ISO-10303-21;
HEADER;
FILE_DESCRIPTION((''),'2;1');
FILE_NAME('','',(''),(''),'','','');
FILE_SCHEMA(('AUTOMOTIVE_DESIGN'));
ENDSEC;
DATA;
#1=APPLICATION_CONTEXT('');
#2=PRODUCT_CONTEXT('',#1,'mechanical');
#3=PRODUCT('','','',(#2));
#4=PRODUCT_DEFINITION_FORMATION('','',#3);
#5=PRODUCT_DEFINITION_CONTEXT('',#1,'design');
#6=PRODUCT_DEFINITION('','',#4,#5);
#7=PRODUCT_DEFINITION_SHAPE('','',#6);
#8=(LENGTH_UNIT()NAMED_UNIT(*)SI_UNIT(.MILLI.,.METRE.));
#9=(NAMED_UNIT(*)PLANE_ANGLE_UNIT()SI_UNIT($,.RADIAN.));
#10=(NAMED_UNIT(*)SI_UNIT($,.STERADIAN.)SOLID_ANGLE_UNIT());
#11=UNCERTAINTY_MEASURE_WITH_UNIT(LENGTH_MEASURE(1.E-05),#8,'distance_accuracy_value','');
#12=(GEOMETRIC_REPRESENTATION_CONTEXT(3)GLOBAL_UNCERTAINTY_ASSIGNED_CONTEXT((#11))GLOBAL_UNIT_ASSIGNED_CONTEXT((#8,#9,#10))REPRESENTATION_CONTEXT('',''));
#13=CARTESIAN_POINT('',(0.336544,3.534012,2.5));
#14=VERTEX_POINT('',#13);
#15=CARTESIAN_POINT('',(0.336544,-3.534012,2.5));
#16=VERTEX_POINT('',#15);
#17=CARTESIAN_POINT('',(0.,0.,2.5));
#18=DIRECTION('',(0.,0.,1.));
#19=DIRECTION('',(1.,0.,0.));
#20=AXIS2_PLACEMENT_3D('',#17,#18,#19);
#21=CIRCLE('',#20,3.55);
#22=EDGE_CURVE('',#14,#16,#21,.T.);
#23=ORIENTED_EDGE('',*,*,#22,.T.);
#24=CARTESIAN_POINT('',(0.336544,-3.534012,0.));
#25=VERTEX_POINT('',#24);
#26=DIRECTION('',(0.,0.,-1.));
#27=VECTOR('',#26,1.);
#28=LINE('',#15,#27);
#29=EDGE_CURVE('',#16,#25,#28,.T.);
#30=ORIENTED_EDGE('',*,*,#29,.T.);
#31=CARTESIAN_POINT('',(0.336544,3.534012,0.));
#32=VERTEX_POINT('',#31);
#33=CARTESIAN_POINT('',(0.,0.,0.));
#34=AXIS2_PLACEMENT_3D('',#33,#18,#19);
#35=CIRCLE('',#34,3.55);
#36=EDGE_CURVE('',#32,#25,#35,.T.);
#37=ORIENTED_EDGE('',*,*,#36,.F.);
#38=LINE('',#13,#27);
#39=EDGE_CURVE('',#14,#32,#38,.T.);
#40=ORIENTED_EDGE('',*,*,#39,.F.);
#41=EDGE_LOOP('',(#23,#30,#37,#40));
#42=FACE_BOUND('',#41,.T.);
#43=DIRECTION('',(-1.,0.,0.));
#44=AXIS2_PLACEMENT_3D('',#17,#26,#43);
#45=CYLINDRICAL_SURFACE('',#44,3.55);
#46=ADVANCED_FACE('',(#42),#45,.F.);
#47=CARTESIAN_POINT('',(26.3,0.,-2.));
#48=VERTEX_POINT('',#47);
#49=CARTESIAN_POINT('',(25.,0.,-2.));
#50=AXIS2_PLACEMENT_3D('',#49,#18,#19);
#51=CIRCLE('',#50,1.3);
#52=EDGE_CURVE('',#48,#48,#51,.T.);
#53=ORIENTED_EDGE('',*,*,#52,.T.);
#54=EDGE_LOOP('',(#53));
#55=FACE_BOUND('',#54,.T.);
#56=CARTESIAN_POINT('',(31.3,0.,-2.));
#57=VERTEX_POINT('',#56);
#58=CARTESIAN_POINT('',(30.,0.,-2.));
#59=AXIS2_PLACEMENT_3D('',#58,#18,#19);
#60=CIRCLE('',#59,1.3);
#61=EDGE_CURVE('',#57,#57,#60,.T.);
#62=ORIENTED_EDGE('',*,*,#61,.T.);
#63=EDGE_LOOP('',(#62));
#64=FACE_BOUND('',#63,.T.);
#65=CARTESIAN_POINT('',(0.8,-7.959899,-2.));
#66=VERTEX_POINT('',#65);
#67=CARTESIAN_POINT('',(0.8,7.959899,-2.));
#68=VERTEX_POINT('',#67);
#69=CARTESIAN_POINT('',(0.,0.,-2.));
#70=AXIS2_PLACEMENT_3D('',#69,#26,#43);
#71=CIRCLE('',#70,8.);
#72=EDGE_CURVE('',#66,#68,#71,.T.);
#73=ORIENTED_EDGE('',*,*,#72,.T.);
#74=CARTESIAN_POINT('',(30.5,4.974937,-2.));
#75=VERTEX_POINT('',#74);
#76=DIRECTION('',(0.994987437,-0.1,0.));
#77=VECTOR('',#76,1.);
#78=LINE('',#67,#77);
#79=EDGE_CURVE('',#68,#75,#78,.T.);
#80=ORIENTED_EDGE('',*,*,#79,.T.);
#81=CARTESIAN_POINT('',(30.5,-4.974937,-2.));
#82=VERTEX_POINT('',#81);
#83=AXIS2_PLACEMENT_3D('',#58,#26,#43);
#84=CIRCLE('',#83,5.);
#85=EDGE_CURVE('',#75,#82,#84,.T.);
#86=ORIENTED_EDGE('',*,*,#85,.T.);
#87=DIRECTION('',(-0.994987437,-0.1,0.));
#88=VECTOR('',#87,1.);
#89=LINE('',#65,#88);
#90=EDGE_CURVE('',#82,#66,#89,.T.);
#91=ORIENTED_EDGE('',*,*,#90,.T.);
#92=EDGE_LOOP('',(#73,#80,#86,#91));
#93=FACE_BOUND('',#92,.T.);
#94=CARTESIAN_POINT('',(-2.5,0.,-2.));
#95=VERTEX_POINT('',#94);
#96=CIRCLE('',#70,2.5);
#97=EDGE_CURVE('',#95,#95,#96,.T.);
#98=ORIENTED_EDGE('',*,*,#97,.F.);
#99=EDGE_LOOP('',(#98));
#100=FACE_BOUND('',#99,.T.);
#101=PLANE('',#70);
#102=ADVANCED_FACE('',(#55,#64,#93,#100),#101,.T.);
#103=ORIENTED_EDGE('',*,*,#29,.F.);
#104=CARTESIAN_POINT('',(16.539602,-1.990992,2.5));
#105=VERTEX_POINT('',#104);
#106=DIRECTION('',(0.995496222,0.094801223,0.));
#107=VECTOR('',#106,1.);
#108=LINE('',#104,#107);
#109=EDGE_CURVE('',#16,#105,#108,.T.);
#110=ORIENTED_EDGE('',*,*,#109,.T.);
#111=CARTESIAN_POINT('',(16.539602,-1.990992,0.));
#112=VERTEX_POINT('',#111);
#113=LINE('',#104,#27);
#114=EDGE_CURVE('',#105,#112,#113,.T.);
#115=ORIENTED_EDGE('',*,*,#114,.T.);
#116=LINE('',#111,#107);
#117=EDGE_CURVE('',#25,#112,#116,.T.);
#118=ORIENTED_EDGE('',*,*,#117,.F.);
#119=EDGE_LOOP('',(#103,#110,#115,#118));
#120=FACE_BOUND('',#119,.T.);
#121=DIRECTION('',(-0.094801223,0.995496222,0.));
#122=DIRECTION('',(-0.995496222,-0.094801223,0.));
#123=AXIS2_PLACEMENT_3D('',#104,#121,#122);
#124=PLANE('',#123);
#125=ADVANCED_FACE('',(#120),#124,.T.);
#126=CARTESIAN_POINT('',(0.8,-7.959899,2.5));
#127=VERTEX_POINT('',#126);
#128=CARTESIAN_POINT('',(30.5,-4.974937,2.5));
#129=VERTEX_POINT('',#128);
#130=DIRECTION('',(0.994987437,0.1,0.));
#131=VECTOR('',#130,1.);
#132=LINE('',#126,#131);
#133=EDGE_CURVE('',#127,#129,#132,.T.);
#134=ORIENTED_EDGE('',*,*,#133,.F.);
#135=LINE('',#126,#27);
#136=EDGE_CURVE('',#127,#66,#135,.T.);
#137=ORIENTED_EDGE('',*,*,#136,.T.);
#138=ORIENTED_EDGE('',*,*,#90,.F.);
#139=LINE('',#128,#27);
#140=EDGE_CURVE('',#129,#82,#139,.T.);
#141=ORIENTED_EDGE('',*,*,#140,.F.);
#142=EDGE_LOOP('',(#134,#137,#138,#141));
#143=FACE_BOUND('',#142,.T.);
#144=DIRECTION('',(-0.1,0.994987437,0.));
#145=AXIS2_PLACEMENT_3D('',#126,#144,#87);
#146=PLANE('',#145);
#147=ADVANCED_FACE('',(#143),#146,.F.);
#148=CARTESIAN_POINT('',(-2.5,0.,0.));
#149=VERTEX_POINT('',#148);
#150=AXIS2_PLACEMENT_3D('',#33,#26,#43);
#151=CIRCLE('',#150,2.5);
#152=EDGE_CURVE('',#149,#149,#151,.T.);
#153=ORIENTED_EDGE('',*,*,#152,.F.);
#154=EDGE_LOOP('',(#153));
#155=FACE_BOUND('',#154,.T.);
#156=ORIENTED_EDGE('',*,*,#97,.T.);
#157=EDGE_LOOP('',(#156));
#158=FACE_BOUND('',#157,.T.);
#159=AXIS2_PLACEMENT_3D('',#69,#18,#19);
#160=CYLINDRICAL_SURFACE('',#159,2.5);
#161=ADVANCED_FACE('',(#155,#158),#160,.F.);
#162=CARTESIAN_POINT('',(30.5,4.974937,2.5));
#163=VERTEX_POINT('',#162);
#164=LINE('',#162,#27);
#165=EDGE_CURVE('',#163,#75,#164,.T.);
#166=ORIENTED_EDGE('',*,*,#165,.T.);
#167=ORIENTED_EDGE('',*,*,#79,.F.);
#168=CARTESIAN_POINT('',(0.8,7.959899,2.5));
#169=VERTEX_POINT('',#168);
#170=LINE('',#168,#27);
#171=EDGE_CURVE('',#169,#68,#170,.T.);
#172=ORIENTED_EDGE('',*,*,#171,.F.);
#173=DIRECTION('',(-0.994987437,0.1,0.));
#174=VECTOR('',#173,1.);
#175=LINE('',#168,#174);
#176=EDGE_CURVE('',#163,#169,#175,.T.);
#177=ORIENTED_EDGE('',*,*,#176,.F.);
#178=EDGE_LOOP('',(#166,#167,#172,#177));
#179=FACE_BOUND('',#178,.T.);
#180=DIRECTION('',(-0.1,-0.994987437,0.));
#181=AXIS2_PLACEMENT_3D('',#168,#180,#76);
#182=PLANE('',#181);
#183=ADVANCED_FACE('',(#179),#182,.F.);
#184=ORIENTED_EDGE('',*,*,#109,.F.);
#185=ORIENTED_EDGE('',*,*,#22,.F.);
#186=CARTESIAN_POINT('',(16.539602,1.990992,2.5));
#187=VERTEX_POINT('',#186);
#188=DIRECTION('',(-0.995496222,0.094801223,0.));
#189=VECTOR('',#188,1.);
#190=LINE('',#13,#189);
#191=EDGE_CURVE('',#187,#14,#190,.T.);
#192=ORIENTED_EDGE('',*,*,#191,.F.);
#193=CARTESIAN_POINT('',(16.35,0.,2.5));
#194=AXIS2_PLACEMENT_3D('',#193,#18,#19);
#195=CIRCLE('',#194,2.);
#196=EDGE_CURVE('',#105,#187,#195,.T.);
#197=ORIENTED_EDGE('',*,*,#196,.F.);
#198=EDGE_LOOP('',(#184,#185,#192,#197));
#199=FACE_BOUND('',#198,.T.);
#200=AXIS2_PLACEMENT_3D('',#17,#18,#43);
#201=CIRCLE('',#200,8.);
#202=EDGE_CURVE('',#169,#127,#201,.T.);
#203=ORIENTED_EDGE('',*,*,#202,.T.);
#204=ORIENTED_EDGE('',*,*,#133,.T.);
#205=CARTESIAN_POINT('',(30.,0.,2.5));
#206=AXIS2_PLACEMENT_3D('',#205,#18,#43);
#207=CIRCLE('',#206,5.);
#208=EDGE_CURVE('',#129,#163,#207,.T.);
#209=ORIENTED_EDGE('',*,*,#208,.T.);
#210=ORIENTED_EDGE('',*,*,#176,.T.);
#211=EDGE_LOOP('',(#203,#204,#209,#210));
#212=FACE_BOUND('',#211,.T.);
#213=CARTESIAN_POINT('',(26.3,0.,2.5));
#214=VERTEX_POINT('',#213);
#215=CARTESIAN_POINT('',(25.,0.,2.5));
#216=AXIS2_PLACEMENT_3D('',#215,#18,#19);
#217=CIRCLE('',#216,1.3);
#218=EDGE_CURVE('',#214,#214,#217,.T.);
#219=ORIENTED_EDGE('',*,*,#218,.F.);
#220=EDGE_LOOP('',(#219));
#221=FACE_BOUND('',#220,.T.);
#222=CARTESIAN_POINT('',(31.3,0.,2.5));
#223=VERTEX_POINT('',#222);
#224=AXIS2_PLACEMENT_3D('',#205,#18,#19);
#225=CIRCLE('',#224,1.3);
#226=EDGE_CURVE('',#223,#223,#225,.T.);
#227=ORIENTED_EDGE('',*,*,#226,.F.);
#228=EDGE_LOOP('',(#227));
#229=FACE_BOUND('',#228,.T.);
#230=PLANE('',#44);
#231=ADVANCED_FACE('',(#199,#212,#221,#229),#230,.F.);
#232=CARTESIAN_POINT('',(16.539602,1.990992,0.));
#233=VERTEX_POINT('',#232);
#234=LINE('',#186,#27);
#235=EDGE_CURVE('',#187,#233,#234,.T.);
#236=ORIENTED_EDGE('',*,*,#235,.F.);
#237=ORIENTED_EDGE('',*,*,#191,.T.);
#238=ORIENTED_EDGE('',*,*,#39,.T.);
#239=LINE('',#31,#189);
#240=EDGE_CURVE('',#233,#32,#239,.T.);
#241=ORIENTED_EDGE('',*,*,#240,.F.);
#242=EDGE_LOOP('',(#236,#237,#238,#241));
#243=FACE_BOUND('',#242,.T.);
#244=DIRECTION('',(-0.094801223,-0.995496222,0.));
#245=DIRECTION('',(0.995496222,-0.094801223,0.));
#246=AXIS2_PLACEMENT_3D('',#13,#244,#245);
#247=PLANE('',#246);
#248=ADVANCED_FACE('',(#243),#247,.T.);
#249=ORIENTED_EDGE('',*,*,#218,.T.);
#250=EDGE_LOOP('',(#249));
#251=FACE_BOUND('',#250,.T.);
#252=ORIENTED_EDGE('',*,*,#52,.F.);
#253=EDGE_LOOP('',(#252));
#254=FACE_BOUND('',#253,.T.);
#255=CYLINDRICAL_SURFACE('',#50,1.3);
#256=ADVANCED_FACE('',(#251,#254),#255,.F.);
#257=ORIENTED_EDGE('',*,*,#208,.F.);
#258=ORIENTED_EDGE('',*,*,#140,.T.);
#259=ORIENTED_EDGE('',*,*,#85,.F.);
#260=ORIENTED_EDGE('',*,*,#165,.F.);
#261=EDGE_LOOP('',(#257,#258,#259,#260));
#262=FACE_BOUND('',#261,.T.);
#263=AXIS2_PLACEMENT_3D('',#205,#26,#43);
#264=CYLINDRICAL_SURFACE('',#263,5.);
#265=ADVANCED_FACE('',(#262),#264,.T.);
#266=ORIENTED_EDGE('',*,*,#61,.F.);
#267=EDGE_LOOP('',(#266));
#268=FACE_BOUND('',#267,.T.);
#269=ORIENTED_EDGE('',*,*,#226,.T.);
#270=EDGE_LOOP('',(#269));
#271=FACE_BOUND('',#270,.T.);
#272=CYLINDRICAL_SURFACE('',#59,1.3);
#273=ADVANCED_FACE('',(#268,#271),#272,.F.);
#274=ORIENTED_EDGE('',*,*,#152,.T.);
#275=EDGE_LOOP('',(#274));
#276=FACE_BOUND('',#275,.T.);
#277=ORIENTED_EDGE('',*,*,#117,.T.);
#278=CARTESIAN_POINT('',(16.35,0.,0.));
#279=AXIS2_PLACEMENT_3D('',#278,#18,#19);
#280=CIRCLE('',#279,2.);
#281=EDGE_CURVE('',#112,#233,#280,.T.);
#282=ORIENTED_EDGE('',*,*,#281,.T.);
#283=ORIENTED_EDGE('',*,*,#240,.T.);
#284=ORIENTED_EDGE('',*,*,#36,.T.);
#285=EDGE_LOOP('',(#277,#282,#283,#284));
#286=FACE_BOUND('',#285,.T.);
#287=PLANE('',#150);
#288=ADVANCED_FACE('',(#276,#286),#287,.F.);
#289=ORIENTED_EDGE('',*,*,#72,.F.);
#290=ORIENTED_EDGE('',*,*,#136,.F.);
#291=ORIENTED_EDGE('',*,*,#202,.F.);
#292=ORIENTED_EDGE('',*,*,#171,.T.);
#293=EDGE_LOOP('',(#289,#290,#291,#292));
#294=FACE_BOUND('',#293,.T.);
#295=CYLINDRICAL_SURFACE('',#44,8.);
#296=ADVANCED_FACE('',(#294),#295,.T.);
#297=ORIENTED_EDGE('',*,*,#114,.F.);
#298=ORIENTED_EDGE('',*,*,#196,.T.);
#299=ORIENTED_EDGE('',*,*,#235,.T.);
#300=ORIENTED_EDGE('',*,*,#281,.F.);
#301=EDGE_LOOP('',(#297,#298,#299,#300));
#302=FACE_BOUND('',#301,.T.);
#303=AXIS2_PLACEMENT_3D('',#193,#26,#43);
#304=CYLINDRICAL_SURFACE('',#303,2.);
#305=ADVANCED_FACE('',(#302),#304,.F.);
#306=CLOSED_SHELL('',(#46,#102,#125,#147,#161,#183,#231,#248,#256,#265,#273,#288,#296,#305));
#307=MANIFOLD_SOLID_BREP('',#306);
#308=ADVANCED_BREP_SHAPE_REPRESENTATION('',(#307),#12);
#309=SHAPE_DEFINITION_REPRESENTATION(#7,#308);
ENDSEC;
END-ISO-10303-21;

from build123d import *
from build123d.topology import SkipClean

# Parameters (mm, degrees)
MAIN_DEPTH            = 2.5
ESQUISSE2_R           = 2.5
ORIGINALBRACKET_DEPTH = 2
ESQUISSE3_R           = 1.3
FIXINGHOLE_DEPTH      = 37.183559803


with BuildPart() as part:
    # Esquisse1 → Main (new body)
    with BuildSketch(Plane.XY):
        with BuildLine():
            Line((0.8, 7.959899497), (30.5, 4.974937186))
            ThreePointArc((30.5, 4.974937186), (35, 0), (30.5, -4.974937186))
            Line((30.5, -4.974937186), (0.8, -7.959899497))
            ThreePointArc((0.8, -7.959899497), (-8, 0), (0.8, 7.959899497))
        make_face()
        with BuildLine():
            Line((0.336544343, 3.534011588), (16.539602446, 1.990992444))
            ThreePointArc((16.539602446, 1.990992444), (18.35, 0), (16.539602446, -1.990992444))
            Line((16.539602446, -1.990992444), (0.336544343, -3.534011588))
            ThreePointArc((0.336544343, -3.534011588), (-3.55, 0), (0.336544343, 3.534011588))
        make_face(mode=Mode.SUBTRACT)
    extrude(amount=MAIN_DEPTH)

    # Esquisse2 → OriginalBracket (add)
    with SkipClean():  # the faces are left unmerged after this step: merging them gives an invalid solid
        with BuildSketch(Plane(origin=(0, 0, 0), x_dir=(-1, 0, 0), z_dir=(0, 0, -1))):
            with BuildLine():
                Line((-0.8, -7.959899497), (-30.5, -4.974937186))
                ThreePointArc((-30.5, -4.974937186), (-35, 0), (-30.5, 4.974937186))
                Line((-30.5, 4.974937186), (-0.8, 7.959899497))
                ThreePointArc((-0.8, 7.959899497), (8, 0), (-0.8, -7.959899497))
            make_face()
            Circle(ESQUISSE2_R, mode=Mode.SUBTRACT)
        extrude(amount=ORIGINALBRACKET_DEPTH)

    # Esquisse3 → FixingHole (cut, through all)
    with SkipClean():  # the faces are left unmerged after this step: merging them gives an invalid solid
        with BuildSketch(Plane.XY.offset(2.5)):
            with Locations((30, 0)):
                Circle(ESQUISSE3_R)
            with Locations((25, 0)):
                Circle(ESQUISSE3_R)
        extrude(amount=-FIXINGHOLE_DEPTH, mode=Mode.SUBTRACT)


solid = part.part
